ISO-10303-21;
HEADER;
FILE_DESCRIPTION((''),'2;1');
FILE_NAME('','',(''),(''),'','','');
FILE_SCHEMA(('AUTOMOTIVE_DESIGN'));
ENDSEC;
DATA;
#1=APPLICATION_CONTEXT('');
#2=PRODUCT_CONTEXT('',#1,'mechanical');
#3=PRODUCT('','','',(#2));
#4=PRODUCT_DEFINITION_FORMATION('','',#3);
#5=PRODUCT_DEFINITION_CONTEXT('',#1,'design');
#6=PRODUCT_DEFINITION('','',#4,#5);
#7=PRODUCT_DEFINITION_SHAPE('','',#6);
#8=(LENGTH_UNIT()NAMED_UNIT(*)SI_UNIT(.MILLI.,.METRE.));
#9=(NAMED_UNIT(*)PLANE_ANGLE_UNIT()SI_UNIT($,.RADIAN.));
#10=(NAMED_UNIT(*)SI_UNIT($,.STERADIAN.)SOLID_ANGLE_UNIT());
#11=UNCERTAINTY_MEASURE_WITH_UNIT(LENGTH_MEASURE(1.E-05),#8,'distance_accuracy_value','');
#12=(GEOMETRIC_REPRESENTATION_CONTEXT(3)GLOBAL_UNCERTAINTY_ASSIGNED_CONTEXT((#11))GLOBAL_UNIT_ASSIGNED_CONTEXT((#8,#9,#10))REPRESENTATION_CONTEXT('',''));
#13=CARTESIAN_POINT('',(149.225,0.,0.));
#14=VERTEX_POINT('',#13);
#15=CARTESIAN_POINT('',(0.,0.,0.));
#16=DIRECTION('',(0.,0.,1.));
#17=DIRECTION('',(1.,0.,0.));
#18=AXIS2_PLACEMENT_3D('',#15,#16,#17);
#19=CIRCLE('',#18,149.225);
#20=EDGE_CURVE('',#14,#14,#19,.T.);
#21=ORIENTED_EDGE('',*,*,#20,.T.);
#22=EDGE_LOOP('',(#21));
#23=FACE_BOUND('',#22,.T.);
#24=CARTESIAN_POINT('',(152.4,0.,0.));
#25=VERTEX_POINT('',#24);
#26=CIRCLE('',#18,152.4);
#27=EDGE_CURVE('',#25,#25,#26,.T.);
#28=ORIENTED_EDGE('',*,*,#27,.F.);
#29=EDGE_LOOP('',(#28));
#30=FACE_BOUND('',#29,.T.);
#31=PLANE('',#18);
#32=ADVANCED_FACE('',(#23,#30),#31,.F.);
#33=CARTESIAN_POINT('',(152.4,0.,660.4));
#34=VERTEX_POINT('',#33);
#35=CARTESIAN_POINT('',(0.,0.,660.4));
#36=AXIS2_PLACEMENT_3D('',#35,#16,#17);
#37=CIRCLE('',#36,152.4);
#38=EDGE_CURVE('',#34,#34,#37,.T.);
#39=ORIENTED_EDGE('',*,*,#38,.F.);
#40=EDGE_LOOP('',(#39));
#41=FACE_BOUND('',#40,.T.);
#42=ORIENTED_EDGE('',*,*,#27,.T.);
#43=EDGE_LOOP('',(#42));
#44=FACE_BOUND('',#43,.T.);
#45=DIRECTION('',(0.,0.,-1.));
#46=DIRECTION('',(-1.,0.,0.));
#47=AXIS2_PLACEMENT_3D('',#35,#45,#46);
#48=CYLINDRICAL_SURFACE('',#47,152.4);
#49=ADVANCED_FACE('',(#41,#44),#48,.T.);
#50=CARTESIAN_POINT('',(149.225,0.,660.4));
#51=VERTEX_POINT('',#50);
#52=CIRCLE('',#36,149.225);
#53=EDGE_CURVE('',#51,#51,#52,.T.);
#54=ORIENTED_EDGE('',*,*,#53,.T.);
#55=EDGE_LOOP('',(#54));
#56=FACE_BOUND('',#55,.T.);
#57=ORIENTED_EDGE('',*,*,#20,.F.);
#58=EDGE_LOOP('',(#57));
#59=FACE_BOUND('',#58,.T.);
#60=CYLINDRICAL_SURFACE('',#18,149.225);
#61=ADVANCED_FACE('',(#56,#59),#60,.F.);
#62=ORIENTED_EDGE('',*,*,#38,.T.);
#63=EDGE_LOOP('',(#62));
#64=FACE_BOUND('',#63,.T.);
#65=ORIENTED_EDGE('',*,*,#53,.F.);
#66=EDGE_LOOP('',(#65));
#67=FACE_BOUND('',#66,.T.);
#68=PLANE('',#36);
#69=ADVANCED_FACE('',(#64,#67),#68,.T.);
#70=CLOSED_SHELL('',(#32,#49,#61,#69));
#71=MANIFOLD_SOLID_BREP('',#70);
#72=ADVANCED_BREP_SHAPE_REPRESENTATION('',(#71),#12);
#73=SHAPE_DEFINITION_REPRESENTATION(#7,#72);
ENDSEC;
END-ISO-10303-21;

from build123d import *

# Parameters (mm, degrees)
SKETCH1_R           = 152.4
BOSS_EXTRUDE1_DEPTH = 660.4
SKETCH2_R           = 149.225
CUT_EXTRUDE1_DEPTH  = 660.4


with BuildPart() as part:
    # Sketch1 → Boss-Extrude1 (new body)
    with BuildSketch(Plane.XY):
        Circle(SKETCH1_R)
    extrude(amount=BOSS_EXTRUDE1_DEPTH)

    # Sketch2 → Cut-Extrude1 (cut)
    with BuildSketch(Plane.XY.offset(660.4)):
        Circle(SKETCH2_R)
    extrude(amount=-CUT_EXTRUDE1_DEPTH, mode=Mode.SUBTRACT)


solid = part.part
